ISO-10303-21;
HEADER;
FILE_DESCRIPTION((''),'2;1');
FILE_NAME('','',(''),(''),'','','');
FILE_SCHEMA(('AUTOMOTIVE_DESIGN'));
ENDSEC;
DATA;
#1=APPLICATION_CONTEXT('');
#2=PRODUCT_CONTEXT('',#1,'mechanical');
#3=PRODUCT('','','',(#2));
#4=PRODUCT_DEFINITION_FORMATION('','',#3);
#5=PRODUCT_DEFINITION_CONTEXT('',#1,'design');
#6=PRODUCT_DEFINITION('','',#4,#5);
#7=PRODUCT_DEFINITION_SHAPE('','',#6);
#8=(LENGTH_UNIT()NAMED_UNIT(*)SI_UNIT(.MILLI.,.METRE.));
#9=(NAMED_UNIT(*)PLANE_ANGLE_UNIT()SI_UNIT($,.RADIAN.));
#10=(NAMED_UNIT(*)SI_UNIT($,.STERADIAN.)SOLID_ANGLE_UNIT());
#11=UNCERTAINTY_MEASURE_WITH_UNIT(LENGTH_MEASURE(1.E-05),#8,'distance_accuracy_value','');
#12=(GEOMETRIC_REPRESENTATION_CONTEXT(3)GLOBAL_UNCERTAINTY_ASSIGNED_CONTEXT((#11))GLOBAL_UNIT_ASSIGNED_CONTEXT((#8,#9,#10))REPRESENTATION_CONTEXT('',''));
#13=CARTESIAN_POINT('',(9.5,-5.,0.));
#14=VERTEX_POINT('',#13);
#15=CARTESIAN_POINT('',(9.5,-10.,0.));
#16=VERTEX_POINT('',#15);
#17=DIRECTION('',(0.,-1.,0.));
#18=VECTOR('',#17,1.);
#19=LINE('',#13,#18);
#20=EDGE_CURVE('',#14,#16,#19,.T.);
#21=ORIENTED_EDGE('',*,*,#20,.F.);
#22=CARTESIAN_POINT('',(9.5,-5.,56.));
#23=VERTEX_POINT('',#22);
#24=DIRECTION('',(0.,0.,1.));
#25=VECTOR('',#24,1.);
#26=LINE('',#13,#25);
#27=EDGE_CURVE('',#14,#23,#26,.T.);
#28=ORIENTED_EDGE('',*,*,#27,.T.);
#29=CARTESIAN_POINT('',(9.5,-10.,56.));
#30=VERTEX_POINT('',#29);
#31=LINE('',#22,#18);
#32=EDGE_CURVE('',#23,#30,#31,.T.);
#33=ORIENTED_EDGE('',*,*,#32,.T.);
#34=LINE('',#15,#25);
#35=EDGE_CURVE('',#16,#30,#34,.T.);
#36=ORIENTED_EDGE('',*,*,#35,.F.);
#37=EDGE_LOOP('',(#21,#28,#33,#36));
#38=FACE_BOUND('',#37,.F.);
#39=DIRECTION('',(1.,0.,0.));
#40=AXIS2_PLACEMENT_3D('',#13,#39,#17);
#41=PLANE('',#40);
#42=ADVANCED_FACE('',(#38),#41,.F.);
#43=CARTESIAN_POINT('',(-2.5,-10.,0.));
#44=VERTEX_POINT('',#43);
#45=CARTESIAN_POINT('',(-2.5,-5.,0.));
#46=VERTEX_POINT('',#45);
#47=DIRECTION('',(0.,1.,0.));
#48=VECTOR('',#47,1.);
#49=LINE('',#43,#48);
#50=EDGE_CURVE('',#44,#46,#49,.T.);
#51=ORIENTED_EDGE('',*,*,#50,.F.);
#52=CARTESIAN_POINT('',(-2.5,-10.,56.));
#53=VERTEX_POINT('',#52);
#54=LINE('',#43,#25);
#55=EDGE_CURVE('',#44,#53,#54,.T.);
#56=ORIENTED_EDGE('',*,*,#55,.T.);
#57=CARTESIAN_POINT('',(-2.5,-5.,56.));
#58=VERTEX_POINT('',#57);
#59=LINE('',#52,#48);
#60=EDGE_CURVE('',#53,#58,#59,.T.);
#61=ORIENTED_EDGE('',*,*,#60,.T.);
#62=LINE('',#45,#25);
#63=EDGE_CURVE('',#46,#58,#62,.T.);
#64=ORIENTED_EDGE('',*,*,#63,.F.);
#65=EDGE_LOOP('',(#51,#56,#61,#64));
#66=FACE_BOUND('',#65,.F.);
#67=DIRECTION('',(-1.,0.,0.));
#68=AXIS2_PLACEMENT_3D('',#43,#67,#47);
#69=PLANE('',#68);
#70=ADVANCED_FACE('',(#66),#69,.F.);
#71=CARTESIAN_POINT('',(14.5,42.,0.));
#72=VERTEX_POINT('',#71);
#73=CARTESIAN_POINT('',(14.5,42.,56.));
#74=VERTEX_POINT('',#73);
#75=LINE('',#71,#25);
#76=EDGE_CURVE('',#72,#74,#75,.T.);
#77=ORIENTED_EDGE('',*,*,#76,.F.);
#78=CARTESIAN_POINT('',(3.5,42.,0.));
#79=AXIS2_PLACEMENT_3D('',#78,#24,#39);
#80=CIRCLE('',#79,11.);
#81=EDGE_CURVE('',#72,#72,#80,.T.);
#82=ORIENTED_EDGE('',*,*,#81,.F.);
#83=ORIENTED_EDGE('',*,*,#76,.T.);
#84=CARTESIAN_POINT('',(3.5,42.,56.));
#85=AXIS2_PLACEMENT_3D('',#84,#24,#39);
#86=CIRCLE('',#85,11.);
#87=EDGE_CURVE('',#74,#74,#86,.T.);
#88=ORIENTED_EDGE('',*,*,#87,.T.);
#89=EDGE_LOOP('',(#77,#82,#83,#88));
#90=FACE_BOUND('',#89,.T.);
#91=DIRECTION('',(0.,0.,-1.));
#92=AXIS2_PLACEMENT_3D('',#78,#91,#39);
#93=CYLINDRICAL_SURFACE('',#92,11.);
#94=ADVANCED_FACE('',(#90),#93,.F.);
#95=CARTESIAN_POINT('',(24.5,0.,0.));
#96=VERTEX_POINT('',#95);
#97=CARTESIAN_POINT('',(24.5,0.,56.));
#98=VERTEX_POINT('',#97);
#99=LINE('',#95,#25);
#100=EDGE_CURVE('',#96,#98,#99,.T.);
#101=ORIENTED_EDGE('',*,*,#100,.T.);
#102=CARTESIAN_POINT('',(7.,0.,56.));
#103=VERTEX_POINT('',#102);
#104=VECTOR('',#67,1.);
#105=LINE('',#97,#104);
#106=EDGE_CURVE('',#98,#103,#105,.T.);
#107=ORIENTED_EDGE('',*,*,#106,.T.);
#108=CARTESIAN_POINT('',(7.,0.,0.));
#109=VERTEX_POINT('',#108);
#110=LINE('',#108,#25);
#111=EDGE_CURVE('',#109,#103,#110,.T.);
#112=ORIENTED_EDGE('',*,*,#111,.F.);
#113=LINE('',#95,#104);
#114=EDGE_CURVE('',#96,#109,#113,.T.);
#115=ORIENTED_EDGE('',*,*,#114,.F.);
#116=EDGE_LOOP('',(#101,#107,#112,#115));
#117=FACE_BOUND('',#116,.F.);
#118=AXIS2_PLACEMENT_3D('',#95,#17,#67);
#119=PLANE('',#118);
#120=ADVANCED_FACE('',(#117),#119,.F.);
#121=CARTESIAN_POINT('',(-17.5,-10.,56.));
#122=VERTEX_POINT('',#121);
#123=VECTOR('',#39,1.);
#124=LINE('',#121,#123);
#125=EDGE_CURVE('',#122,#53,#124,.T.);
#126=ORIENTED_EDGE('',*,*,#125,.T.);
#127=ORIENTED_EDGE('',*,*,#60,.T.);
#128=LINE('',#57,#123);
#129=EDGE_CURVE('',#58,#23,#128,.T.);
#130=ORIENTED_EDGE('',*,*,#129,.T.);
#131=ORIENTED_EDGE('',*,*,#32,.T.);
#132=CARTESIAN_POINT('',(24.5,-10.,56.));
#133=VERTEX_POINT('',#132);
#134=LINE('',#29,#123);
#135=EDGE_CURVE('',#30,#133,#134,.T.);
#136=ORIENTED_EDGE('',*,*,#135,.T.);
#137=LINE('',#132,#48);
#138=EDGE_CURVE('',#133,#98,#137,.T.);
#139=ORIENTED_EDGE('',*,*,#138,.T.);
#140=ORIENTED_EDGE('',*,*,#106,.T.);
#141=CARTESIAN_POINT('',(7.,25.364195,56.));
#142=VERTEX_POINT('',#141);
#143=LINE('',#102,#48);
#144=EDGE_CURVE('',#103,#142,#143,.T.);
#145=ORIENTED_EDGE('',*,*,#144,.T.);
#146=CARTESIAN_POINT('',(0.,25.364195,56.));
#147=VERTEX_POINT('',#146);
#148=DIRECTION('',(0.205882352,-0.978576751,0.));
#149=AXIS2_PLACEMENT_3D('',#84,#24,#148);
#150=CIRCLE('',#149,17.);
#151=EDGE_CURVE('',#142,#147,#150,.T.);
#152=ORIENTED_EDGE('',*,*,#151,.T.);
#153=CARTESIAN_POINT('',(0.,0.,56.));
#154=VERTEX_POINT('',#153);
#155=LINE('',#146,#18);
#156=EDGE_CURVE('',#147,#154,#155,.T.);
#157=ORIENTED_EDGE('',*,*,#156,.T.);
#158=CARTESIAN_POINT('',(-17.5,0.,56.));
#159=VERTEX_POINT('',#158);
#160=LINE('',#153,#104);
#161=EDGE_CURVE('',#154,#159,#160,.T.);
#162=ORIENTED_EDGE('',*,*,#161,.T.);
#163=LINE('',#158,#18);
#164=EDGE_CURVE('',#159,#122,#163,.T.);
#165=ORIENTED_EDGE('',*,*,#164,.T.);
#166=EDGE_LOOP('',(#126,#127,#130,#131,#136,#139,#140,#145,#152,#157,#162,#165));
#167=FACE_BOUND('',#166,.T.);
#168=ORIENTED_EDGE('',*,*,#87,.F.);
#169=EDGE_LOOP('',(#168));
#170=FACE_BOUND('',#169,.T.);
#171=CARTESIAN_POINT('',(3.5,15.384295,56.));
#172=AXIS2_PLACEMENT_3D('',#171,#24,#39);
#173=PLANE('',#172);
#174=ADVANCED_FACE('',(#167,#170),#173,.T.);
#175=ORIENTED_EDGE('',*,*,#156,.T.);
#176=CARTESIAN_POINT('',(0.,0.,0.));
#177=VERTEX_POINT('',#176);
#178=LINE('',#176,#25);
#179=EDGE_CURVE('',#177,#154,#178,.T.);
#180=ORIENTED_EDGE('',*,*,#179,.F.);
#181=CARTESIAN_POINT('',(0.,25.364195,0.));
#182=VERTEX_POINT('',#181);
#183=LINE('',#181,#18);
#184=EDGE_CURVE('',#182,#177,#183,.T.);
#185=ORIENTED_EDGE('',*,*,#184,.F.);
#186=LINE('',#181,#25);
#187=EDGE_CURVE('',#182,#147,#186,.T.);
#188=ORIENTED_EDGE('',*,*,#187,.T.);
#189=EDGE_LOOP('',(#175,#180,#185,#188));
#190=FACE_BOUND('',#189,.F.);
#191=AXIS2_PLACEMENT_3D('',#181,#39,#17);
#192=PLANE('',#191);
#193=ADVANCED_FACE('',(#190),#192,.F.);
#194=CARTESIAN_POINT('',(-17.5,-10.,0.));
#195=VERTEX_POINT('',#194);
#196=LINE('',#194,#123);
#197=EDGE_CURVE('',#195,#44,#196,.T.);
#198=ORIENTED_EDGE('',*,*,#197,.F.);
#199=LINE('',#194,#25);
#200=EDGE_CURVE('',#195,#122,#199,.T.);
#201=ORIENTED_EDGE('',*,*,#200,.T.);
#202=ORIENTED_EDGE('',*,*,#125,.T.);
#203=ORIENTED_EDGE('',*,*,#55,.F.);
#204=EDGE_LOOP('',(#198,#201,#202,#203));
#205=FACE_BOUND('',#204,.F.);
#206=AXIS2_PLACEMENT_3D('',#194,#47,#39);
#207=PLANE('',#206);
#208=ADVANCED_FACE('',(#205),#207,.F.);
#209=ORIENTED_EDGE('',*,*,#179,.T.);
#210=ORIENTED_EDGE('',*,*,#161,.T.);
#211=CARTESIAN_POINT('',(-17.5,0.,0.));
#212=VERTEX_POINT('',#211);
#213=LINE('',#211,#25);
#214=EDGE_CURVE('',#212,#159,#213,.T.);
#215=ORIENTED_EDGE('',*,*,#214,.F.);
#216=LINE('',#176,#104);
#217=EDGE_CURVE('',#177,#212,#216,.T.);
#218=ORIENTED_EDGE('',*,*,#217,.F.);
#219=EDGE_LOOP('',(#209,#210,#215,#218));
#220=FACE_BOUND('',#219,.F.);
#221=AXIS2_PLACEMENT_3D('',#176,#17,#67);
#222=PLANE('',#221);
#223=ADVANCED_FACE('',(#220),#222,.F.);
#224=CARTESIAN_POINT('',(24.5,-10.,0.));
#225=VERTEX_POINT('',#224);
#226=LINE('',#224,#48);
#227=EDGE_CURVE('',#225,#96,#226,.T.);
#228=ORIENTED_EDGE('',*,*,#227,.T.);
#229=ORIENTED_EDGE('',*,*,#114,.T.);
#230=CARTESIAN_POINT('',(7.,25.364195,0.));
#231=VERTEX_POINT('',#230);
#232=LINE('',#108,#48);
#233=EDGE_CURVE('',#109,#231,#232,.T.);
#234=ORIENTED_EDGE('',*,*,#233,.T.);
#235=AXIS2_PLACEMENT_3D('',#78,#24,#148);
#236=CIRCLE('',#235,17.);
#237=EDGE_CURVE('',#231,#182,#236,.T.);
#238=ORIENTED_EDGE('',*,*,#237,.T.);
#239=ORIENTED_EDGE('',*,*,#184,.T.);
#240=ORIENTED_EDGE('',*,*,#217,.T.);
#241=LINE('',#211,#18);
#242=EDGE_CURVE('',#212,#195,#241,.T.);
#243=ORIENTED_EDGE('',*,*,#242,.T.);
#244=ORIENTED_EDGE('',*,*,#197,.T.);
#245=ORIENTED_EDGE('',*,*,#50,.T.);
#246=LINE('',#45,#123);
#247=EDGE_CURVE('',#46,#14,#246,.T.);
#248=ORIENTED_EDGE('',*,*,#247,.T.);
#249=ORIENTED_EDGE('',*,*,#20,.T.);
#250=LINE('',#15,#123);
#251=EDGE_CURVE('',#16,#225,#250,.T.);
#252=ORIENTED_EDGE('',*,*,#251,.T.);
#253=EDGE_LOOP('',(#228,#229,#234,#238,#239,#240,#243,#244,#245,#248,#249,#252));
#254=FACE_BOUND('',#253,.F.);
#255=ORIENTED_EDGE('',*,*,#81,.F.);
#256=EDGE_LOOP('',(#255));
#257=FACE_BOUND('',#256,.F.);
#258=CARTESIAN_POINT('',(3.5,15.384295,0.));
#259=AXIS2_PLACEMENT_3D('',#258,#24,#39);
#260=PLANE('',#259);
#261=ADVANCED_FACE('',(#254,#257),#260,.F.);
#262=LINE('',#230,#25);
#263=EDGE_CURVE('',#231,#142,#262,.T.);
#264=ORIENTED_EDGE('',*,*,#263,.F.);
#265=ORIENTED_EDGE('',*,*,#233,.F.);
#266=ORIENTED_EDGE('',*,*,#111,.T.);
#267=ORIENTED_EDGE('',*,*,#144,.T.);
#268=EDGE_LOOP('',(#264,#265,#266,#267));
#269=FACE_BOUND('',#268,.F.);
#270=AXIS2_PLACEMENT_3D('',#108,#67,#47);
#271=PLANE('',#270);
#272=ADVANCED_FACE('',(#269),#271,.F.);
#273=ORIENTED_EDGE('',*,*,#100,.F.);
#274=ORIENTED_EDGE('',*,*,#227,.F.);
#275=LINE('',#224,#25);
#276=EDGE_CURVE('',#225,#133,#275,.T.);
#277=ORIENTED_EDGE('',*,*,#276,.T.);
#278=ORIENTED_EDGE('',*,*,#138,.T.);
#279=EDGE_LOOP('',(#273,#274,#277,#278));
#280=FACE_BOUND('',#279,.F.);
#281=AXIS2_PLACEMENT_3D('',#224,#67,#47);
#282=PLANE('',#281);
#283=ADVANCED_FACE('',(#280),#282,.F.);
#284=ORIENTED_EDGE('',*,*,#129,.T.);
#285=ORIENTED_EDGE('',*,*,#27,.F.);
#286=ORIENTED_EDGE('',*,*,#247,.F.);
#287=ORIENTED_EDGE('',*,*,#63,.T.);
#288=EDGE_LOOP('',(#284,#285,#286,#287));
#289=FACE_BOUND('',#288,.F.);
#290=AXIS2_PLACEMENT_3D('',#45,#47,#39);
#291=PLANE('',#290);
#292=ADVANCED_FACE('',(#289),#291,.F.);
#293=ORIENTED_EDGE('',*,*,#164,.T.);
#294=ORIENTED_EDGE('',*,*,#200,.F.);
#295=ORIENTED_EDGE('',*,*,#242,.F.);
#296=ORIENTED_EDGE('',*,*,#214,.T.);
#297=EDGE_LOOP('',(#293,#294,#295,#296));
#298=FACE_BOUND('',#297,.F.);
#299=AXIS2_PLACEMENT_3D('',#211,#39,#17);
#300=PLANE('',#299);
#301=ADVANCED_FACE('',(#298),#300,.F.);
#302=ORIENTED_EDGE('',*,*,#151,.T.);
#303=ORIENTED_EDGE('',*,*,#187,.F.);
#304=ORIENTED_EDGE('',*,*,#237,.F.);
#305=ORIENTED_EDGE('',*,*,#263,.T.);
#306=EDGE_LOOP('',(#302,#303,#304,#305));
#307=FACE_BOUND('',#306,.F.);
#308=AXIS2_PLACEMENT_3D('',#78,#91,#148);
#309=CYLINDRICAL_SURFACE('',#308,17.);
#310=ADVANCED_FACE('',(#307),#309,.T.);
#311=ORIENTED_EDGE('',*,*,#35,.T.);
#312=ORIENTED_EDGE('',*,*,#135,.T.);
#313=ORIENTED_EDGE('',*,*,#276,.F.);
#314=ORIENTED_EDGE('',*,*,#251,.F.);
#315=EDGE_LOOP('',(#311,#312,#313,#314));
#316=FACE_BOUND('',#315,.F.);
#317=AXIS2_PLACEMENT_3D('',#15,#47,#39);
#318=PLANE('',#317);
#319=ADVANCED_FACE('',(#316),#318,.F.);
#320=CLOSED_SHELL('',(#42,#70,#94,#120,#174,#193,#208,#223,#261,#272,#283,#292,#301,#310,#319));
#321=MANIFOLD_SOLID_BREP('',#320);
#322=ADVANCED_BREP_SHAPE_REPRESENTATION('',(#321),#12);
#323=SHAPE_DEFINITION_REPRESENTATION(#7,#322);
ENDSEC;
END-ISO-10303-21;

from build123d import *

# Parameters (mm, degrees)
F0_R     = 11
F1_DEPTH = 56


with BuildPart() as f1:
    # F0 (on Top) → F1 (new body)
    with BuildSketch(Plane.XY):
        with BuildLine():
            Line((0, 25.364195), (0, 0))
            Line((0, 0), (-17.5, 0))
            Line((-17.5, 0), (-17.5, -10))
            Line((-17.5, -10), (-2.5, -10))
            Line((-2.5, -10), (-2.5, -5))
            Line((-2.5, -5), (9.5, -5))
            Line((9.5, -5), (9.5, -10))
            Line((9.5, -10), (24.5, -10))
            Line((24.5, -10), (24.5, 0))
            Line((24.5, 0), (7, 0))
            Line((7, 0), (7, 25.364195))
            ThreePointArc((7, 25.364195), (3.5, 59), (0, 25.364195))
        make_face()
        with Locations((3.5, 42)):
            Circle(F0_R, mode=Mode.SUBTRACT)
    extrude(amount=F1_DEPTH)


solid = f1.part
